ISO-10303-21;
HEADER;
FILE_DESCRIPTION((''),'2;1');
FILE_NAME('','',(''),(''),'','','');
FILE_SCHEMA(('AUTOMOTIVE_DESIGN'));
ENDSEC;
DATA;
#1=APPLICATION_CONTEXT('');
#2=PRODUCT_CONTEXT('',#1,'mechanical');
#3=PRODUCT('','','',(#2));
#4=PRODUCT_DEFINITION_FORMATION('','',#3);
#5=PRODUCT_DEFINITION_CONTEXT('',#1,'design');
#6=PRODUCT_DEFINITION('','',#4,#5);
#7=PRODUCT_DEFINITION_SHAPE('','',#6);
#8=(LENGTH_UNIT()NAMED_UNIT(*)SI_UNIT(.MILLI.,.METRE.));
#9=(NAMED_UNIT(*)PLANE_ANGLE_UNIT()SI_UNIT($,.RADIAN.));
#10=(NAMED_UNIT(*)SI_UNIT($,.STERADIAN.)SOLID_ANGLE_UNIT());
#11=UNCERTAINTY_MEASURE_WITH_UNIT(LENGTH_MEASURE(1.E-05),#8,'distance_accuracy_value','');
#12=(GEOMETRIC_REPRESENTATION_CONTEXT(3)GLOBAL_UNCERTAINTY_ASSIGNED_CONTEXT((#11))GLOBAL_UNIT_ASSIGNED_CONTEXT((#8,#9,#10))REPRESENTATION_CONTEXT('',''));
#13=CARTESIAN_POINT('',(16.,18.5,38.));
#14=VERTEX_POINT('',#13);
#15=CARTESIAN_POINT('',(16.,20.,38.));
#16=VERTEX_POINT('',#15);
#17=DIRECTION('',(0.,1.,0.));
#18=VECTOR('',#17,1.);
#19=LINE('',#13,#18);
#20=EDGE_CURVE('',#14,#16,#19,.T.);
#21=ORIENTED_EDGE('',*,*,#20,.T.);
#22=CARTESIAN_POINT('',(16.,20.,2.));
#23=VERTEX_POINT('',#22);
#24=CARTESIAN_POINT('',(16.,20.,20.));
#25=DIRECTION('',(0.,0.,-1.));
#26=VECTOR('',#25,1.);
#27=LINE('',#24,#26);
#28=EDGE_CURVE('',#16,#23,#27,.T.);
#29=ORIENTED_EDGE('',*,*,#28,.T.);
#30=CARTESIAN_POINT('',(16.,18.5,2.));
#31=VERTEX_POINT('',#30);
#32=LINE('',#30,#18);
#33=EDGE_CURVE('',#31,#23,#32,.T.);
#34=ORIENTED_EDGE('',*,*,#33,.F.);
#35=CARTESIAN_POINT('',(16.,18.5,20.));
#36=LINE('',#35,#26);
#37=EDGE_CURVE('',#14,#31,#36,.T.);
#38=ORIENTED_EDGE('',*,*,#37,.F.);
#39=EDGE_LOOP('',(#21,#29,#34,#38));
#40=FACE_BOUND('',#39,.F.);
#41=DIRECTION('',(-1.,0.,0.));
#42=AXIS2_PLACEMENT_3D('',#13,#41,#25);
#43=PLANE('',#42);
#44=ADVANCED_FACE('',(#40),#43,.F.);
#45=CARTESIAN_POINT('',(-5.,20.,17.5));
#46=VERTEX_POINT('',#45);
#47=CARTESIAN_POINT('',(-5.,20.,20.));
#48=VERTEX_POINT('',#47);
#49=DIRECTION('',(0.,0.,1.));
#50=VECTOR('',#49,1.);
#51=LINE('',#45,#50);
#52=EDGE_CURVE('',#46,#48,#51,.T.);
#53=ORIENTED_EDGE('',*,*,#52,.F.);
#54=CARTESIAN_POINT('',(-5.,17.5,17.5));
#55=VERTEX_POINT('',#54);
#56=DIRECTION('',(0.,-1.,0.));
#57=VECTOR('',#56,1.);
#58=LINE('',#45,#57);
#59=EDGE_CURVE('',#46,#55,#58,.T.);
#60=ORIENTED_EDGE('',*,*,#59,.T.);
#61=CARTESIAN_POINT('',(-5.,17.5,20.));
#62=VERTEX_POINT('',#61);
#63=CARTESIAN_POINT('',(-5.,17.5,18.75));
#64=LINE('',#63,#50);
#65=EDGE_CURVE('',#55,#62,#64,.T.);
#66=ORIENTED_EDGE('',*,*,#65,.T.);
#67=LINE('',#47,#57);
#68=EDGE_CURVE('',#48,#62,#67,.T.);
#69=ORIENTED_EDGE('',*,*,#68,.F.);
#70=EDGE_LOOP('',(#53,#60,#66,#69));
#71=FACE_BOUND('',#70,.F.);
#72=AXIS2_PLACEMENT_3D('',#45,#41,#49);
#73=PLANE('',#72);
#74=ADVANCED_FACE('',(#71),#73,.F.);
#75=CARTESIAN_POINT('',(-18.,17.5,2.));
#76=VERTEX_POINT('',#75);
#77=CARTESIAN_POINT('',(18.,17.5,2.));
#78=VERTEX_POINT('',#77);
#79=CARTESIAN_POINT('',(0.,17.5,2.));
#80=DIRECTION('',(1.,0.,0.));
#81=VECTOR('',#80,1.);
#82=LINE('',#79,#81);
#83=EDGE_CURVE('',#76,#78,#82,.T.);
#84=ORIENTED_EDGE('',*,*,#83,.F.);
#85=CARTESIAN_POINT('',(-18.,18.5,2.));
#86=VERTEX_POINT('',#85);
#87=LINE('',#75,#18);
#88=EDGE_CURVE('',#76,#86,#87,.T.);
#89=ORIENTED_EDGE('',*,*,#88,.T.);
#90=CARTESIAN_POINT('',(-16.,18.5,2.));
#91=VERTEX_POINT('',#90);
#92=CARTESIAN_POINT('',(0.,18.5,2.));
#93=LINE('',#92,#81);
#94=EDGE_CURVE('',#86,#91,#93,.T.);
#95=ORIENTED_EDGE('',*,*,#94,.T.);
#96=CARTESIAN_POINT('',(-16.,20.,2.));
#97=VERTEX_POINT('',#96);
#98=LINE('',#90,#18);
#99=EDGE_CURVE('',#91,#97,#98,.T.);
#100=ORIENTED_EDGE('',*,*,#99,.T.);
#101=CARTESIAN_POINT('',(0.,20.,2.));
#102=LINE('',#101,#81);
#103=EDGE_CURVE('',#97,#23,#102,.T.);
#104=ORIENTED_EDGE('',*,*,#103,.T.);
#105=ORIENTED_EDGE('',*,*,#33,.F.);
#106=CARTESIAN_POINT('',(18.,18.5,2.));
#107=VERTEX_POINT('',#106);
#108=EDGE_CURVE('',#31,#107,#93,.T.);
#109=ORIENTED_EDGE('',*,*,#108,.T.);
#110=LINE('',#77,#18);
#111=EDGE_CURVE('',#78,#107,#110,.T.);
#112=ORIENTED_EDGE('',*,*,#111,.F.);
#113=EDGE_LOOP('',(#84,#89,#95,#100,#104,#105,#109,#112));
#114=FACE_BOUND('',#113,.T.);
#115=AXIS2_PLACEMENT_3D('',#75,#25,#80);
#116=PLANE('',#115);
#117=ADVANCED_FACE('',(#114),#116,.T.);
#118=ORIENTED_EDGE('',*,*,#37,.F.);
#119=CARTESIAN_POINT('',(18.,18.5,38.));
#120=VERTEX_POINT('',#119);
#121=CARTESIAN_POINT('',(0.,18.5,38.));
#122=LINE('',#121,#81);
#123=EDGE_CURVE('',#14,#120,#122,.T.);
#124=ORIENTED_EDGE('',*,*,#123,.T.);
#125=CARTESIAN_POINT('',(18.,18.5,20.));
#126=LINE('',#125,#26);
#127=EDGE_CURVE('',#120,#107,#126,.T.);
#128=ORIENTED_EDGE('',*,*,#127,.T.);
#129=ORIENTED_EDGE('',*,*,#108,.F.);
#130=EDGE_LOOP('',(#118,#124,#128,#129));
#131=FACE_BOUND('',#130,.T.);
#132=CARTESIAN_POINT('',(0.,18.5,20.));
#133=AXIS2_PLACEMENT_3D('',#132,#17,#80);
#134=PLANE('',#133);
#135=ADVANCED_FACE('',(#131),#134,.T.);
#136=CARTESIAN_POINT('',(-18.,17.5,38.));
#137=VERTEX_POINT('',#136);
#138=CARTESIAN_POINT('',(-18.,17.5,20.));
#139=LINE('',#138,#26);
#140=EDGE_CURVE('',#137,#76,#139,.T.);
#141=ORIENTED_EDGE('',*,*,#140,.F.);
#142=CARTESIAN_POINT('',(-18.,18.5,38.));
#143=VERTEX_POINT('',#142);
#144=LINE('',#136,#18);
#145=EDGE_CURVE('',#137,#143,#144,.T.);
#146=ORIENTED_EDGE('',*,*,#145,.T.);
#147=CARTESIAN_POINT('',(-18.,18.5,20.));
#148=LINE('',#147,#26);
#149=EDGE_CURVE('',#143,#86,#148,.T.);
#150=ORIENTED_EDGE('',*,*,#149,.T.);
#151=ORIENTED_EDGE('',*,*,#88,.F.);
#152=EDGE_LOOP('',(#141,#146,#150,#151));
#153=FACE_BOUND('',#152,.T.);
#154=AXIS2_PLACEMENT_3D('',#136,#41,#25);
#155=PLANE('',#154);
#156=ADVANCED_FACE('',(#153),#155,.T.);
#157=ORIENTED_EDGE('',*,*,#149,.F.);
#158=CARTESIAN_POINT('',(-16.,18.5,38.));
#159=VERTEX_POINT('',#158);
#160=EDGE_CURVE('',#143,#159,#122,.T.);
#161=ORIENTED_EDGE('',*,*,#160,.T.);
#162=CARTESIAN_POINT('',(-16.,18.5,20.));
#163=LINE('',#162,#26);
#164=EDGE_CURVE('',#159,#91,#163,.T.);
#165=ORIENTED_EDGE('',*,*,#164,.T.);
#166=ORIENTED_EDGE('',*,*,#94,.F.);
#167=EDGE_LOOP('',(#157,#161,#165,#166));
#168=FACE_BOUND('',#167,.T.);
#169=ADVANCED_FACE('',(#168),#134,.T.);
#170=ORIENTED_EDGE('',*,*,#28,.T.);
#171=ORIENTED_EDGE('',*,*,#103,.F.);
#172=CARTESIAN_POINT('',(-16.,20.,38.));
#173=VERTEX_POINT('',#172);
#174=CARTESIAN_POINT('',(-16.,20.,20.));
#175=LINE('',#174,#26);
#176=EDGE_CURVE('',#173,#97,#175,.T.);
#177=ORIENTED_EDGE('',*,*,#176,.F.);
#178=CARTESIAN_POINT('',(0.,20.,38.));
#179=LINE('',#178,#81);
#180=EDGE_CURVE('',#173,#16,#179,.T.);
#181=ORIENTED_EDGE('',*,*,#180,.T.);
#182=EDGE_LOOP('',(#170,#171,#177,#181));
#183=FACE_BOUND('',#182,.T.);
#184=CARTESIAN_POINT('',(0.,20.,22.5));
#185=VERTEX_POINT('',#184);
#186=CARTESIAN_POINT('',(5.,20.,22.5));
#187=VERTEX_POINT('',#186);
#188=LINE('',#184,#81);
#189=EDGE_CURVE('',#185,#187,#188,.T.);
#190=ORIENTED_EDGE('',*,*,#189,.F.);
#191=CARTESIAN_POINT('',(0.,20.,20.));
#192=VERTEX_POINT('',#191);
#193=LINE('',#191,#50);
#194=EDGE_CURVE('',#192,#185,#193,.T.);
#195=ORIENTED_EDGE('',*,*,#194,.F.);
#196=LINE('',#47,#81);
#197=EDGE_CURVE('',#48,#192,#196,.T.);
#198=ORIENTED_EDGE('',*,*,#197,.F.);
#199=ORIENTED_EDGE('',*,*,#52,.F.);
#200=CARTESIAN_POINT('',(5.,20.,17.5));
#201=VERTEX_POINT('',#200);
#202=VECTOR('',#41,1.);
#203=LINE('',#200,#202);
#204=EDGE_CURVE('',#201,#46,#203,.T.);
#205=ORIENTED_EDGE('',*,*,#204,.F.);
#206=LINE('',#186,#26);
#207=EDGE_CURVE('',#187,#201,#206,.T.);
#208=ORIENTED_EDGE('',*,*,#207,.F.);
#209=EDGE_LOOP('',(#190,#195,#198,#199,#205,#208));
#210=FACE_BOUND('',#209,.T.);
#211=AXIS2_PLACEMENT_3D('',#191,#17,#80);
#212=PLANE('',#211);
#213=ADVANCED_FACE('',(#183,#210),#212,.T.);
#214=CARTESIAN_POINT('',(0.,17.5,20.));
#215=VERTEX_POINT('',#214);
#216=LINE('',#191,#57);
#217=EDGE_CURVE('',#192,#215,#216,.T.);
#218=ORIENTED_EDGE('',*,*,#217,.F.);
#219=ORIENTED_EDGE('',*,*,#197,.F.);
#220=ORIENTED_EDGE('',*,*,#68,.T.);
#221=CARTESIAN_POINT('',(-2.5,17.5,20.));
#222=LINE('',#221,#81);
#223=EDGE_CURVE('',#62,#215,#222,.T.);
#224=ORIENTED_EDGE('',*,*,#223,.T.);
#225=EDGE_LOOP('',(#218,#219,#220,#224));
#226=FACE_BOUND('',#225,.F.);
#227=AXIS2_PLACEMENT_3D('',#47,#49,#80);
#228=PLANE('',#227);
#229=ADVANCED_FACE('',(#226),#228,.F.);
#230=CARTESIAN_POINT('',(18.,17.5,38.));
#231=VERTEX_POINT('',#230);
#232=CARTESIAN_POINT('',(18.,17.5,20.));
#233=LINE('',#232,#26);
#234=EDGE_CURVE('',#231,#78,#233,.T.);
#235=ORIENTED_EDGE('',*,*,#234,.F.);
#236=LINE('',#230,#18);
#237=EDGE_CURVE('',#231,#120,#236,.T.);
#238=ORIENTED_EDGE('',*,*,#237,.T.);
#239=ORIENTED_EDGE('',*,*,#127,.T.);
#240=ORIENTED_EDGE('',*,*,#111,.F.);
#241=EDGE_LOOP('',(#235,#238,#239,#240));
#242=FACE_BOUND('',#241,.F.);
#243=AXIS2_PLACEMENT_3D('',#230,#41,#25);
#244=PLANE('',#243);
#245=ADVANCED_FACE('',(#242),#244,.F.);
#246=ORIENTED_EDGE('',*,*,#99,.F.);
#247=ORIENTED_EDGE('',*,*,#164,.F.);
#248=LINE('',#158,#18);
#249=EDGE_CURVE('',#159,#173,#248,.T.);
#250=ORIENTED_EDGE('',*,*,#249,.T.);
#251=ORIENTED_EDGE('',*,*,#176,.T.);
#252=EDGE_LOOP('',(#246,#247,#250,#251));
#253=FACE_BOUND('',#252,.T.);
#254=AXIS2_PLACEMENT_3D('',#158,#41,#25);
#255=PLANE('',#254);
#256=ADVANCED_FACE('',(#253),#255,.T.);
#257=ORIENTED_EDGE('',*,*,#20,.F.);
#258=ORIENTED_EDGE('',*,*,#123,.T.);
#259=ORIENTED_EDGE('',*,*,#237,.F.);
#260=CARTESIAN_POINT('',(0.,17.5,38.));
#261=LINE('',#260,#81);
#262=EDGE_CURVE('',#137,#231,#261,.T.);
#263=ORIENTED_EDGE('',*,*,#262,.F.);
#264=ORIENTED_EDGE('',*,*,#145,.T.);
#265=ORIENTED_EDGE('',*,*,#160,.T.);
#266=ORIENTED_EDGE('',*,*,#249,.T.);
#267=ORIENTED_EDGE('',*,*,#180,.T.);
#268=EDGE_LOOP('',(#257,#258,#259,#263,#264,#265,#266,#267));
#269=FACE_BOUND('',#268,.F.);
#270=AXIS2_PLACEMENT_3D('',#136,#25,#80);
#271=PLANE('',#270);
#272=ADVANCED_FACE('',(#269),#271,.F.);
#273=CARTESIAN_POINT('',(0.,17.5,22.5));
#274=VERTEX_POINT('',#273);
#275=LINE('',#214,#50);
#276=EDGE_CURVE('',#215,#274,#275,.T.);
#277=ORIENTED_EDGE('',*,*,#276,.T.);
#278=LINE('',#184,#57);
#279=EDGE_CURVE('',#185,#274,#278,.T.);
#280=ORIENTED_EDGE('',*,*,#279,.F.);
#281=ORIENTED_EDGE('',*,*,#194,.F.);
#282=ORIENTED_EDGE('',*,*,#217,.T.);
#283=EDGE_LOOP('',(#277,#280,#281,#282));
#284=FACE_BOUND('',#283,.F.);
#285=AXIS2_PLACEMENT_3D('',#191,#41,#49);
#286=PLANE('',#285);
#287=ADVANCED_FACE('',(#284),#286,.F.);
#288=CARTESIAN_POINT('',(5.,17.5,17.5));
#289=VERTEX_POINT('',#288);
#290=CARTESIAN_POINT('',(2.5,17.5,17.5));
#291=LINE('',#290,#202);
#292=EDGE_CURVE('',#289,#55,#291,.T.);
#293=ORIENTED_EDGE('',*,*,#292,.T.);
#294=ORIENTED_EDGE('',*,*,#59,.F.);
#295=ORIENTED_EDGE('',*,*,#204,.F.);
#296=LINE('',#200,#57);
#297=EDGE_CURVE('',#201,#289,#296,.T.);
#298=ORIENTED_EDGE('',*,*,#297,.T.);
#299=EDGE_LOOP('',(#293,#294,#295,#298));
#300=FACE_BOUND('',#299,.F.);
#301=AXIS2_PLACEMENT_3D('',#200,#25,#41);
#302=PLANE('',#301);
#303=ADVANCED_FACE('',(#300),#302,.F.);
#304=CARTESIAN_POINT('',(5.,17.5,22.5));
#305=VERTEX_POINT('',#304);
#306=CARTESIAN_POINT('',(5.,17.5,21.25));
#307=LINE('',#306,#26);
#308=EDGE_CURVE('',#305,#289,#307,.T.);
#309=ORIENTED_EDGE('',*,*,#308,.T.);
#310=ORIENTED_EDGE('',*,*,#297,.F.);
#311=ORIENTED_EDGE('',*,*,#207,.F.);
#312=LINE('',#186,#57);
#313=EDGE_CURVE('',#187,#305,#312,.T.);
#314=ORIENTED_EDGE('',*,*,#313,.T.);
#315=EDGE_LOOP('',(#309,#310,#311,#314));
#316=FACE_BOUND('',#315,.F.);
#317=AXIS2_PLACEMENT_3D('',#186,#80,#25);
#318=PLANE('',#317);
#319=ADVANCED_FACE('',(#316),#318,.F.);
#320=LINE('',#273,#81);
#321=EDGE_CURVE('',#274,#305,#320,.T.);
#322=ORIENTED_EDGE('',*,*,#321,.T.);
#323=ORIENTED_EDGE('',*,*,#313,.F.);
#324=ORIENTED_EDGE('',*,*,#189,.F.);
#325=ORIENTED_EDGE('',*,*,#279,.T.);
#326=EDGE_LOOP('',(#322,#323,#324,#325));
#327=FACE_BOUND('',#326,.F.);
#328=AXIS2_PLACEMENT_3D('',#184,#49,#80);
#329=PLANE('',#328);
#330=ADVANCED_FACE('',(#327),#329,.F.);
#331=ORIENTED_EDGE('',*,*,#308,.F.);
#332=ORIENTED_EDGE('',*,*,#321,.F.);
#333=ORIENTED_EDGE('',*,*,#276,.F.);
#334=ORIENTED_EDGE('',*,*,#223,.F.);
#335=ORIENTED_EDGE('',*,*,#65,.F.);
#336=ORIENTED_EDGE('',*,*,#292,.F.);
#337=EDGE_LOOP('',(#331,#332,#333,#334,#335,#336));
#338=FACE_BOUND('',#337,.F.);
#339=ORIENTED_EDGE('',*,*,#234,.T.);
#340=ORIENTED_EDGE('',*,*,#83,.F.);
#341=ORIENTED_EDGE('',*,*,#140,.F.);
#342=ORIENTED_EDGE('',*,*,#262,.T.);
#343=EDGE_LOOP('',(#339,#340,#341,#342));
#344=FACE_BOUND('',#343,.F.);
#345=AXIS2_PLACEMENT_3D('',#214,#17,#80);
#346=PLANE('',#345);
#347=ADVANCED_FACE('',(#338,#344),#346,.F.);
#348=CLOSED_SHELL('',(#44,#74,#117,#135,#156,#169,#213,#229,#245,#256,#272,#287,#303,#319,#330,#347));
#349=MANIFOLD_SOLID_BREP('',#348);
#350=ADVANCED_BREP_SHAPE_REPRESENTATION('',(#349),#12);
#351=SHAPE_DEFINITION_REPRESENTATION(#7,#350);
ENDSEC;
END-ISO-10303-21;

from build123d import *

# Parameters (mm, degrees)
SKETCH019_W                    = 32
SKETCH019_H                    = 36
EXTRUDE017_DEPTH               = 1.5
SKETCH018_W                    = 36
SKETCH018_H                    = 36
EXTRUDE016_DEPTH               = 1
FUSION010_PLACEMENT_ANGLE      = 270
BASEFEATURE001_PLACEMENT_ANGLE = 270
POCKET001_DEPTH                = 5
BODY002_PLACEMENT_ANGLE        = 270


with BuildPart() as extrude017:
    # Sketch019 (on Face6 of Extrude016) → Extrude017 (new body)
    with BuildSketch(Plane.XY.offset(1)):
        Rectangle(SKETCH019_W, SKETCH019_H)
    extrude(amount=EXTRUDE017_DEPTH)


with BuildPart() as body002:
    # Sketch018 → Extrude016 (new body)
    with BuildSketch(Plane.XY):
        Rectangle(SKETCH018_W, SKETCH018_H)
    extrude(amount=EXTRUDE016_DEPTH)

    # Fusion010: union Extrude017
    add(extrude017.part)


with BuildPart() as body002_1:
    # Fusion010 placement: moved
    add(body002.part.moved(Location((0, 17.5, 20))).rotate(Axis((0, 17.5, 20), (1, 0, 0)), FUSION010_PLACEMENT_ANGLE))


with BuildPart() as body002_2:
    # BaseFeature001 placement: moved
    add(body002_1.part.moved(Location((0, 20, -17.5))).rotate(Axis((0, 20, -17.5), (-1, 0, 0)), BASEFEATURE001_PLACEMENT_ANGLE))

    # Sketch025 (on Face8 of BaseFeature001) → Pocket001 (cut)
    with BuildSketch(Plane.XY.offset(2.5)):
        Polygon((0, 0), (0, -2.5), (5, -2.5), (5, 2.5), (-5, 2.5), (-5, 0), align=None)
    extrude(amount=-POCKET001_DEPTH, mode=Mode.SUBTRACT)


with BuildPart() as body002_3:
    # Body002 placement: moved
    add(body002_2.part.moved(Location((0, 17.5, 20))).rotate(Axis((0, 17.5, 20), (1, 0, 0)), BODY002_PLACEMENT_ANGLE))


solid = body002_3.part
